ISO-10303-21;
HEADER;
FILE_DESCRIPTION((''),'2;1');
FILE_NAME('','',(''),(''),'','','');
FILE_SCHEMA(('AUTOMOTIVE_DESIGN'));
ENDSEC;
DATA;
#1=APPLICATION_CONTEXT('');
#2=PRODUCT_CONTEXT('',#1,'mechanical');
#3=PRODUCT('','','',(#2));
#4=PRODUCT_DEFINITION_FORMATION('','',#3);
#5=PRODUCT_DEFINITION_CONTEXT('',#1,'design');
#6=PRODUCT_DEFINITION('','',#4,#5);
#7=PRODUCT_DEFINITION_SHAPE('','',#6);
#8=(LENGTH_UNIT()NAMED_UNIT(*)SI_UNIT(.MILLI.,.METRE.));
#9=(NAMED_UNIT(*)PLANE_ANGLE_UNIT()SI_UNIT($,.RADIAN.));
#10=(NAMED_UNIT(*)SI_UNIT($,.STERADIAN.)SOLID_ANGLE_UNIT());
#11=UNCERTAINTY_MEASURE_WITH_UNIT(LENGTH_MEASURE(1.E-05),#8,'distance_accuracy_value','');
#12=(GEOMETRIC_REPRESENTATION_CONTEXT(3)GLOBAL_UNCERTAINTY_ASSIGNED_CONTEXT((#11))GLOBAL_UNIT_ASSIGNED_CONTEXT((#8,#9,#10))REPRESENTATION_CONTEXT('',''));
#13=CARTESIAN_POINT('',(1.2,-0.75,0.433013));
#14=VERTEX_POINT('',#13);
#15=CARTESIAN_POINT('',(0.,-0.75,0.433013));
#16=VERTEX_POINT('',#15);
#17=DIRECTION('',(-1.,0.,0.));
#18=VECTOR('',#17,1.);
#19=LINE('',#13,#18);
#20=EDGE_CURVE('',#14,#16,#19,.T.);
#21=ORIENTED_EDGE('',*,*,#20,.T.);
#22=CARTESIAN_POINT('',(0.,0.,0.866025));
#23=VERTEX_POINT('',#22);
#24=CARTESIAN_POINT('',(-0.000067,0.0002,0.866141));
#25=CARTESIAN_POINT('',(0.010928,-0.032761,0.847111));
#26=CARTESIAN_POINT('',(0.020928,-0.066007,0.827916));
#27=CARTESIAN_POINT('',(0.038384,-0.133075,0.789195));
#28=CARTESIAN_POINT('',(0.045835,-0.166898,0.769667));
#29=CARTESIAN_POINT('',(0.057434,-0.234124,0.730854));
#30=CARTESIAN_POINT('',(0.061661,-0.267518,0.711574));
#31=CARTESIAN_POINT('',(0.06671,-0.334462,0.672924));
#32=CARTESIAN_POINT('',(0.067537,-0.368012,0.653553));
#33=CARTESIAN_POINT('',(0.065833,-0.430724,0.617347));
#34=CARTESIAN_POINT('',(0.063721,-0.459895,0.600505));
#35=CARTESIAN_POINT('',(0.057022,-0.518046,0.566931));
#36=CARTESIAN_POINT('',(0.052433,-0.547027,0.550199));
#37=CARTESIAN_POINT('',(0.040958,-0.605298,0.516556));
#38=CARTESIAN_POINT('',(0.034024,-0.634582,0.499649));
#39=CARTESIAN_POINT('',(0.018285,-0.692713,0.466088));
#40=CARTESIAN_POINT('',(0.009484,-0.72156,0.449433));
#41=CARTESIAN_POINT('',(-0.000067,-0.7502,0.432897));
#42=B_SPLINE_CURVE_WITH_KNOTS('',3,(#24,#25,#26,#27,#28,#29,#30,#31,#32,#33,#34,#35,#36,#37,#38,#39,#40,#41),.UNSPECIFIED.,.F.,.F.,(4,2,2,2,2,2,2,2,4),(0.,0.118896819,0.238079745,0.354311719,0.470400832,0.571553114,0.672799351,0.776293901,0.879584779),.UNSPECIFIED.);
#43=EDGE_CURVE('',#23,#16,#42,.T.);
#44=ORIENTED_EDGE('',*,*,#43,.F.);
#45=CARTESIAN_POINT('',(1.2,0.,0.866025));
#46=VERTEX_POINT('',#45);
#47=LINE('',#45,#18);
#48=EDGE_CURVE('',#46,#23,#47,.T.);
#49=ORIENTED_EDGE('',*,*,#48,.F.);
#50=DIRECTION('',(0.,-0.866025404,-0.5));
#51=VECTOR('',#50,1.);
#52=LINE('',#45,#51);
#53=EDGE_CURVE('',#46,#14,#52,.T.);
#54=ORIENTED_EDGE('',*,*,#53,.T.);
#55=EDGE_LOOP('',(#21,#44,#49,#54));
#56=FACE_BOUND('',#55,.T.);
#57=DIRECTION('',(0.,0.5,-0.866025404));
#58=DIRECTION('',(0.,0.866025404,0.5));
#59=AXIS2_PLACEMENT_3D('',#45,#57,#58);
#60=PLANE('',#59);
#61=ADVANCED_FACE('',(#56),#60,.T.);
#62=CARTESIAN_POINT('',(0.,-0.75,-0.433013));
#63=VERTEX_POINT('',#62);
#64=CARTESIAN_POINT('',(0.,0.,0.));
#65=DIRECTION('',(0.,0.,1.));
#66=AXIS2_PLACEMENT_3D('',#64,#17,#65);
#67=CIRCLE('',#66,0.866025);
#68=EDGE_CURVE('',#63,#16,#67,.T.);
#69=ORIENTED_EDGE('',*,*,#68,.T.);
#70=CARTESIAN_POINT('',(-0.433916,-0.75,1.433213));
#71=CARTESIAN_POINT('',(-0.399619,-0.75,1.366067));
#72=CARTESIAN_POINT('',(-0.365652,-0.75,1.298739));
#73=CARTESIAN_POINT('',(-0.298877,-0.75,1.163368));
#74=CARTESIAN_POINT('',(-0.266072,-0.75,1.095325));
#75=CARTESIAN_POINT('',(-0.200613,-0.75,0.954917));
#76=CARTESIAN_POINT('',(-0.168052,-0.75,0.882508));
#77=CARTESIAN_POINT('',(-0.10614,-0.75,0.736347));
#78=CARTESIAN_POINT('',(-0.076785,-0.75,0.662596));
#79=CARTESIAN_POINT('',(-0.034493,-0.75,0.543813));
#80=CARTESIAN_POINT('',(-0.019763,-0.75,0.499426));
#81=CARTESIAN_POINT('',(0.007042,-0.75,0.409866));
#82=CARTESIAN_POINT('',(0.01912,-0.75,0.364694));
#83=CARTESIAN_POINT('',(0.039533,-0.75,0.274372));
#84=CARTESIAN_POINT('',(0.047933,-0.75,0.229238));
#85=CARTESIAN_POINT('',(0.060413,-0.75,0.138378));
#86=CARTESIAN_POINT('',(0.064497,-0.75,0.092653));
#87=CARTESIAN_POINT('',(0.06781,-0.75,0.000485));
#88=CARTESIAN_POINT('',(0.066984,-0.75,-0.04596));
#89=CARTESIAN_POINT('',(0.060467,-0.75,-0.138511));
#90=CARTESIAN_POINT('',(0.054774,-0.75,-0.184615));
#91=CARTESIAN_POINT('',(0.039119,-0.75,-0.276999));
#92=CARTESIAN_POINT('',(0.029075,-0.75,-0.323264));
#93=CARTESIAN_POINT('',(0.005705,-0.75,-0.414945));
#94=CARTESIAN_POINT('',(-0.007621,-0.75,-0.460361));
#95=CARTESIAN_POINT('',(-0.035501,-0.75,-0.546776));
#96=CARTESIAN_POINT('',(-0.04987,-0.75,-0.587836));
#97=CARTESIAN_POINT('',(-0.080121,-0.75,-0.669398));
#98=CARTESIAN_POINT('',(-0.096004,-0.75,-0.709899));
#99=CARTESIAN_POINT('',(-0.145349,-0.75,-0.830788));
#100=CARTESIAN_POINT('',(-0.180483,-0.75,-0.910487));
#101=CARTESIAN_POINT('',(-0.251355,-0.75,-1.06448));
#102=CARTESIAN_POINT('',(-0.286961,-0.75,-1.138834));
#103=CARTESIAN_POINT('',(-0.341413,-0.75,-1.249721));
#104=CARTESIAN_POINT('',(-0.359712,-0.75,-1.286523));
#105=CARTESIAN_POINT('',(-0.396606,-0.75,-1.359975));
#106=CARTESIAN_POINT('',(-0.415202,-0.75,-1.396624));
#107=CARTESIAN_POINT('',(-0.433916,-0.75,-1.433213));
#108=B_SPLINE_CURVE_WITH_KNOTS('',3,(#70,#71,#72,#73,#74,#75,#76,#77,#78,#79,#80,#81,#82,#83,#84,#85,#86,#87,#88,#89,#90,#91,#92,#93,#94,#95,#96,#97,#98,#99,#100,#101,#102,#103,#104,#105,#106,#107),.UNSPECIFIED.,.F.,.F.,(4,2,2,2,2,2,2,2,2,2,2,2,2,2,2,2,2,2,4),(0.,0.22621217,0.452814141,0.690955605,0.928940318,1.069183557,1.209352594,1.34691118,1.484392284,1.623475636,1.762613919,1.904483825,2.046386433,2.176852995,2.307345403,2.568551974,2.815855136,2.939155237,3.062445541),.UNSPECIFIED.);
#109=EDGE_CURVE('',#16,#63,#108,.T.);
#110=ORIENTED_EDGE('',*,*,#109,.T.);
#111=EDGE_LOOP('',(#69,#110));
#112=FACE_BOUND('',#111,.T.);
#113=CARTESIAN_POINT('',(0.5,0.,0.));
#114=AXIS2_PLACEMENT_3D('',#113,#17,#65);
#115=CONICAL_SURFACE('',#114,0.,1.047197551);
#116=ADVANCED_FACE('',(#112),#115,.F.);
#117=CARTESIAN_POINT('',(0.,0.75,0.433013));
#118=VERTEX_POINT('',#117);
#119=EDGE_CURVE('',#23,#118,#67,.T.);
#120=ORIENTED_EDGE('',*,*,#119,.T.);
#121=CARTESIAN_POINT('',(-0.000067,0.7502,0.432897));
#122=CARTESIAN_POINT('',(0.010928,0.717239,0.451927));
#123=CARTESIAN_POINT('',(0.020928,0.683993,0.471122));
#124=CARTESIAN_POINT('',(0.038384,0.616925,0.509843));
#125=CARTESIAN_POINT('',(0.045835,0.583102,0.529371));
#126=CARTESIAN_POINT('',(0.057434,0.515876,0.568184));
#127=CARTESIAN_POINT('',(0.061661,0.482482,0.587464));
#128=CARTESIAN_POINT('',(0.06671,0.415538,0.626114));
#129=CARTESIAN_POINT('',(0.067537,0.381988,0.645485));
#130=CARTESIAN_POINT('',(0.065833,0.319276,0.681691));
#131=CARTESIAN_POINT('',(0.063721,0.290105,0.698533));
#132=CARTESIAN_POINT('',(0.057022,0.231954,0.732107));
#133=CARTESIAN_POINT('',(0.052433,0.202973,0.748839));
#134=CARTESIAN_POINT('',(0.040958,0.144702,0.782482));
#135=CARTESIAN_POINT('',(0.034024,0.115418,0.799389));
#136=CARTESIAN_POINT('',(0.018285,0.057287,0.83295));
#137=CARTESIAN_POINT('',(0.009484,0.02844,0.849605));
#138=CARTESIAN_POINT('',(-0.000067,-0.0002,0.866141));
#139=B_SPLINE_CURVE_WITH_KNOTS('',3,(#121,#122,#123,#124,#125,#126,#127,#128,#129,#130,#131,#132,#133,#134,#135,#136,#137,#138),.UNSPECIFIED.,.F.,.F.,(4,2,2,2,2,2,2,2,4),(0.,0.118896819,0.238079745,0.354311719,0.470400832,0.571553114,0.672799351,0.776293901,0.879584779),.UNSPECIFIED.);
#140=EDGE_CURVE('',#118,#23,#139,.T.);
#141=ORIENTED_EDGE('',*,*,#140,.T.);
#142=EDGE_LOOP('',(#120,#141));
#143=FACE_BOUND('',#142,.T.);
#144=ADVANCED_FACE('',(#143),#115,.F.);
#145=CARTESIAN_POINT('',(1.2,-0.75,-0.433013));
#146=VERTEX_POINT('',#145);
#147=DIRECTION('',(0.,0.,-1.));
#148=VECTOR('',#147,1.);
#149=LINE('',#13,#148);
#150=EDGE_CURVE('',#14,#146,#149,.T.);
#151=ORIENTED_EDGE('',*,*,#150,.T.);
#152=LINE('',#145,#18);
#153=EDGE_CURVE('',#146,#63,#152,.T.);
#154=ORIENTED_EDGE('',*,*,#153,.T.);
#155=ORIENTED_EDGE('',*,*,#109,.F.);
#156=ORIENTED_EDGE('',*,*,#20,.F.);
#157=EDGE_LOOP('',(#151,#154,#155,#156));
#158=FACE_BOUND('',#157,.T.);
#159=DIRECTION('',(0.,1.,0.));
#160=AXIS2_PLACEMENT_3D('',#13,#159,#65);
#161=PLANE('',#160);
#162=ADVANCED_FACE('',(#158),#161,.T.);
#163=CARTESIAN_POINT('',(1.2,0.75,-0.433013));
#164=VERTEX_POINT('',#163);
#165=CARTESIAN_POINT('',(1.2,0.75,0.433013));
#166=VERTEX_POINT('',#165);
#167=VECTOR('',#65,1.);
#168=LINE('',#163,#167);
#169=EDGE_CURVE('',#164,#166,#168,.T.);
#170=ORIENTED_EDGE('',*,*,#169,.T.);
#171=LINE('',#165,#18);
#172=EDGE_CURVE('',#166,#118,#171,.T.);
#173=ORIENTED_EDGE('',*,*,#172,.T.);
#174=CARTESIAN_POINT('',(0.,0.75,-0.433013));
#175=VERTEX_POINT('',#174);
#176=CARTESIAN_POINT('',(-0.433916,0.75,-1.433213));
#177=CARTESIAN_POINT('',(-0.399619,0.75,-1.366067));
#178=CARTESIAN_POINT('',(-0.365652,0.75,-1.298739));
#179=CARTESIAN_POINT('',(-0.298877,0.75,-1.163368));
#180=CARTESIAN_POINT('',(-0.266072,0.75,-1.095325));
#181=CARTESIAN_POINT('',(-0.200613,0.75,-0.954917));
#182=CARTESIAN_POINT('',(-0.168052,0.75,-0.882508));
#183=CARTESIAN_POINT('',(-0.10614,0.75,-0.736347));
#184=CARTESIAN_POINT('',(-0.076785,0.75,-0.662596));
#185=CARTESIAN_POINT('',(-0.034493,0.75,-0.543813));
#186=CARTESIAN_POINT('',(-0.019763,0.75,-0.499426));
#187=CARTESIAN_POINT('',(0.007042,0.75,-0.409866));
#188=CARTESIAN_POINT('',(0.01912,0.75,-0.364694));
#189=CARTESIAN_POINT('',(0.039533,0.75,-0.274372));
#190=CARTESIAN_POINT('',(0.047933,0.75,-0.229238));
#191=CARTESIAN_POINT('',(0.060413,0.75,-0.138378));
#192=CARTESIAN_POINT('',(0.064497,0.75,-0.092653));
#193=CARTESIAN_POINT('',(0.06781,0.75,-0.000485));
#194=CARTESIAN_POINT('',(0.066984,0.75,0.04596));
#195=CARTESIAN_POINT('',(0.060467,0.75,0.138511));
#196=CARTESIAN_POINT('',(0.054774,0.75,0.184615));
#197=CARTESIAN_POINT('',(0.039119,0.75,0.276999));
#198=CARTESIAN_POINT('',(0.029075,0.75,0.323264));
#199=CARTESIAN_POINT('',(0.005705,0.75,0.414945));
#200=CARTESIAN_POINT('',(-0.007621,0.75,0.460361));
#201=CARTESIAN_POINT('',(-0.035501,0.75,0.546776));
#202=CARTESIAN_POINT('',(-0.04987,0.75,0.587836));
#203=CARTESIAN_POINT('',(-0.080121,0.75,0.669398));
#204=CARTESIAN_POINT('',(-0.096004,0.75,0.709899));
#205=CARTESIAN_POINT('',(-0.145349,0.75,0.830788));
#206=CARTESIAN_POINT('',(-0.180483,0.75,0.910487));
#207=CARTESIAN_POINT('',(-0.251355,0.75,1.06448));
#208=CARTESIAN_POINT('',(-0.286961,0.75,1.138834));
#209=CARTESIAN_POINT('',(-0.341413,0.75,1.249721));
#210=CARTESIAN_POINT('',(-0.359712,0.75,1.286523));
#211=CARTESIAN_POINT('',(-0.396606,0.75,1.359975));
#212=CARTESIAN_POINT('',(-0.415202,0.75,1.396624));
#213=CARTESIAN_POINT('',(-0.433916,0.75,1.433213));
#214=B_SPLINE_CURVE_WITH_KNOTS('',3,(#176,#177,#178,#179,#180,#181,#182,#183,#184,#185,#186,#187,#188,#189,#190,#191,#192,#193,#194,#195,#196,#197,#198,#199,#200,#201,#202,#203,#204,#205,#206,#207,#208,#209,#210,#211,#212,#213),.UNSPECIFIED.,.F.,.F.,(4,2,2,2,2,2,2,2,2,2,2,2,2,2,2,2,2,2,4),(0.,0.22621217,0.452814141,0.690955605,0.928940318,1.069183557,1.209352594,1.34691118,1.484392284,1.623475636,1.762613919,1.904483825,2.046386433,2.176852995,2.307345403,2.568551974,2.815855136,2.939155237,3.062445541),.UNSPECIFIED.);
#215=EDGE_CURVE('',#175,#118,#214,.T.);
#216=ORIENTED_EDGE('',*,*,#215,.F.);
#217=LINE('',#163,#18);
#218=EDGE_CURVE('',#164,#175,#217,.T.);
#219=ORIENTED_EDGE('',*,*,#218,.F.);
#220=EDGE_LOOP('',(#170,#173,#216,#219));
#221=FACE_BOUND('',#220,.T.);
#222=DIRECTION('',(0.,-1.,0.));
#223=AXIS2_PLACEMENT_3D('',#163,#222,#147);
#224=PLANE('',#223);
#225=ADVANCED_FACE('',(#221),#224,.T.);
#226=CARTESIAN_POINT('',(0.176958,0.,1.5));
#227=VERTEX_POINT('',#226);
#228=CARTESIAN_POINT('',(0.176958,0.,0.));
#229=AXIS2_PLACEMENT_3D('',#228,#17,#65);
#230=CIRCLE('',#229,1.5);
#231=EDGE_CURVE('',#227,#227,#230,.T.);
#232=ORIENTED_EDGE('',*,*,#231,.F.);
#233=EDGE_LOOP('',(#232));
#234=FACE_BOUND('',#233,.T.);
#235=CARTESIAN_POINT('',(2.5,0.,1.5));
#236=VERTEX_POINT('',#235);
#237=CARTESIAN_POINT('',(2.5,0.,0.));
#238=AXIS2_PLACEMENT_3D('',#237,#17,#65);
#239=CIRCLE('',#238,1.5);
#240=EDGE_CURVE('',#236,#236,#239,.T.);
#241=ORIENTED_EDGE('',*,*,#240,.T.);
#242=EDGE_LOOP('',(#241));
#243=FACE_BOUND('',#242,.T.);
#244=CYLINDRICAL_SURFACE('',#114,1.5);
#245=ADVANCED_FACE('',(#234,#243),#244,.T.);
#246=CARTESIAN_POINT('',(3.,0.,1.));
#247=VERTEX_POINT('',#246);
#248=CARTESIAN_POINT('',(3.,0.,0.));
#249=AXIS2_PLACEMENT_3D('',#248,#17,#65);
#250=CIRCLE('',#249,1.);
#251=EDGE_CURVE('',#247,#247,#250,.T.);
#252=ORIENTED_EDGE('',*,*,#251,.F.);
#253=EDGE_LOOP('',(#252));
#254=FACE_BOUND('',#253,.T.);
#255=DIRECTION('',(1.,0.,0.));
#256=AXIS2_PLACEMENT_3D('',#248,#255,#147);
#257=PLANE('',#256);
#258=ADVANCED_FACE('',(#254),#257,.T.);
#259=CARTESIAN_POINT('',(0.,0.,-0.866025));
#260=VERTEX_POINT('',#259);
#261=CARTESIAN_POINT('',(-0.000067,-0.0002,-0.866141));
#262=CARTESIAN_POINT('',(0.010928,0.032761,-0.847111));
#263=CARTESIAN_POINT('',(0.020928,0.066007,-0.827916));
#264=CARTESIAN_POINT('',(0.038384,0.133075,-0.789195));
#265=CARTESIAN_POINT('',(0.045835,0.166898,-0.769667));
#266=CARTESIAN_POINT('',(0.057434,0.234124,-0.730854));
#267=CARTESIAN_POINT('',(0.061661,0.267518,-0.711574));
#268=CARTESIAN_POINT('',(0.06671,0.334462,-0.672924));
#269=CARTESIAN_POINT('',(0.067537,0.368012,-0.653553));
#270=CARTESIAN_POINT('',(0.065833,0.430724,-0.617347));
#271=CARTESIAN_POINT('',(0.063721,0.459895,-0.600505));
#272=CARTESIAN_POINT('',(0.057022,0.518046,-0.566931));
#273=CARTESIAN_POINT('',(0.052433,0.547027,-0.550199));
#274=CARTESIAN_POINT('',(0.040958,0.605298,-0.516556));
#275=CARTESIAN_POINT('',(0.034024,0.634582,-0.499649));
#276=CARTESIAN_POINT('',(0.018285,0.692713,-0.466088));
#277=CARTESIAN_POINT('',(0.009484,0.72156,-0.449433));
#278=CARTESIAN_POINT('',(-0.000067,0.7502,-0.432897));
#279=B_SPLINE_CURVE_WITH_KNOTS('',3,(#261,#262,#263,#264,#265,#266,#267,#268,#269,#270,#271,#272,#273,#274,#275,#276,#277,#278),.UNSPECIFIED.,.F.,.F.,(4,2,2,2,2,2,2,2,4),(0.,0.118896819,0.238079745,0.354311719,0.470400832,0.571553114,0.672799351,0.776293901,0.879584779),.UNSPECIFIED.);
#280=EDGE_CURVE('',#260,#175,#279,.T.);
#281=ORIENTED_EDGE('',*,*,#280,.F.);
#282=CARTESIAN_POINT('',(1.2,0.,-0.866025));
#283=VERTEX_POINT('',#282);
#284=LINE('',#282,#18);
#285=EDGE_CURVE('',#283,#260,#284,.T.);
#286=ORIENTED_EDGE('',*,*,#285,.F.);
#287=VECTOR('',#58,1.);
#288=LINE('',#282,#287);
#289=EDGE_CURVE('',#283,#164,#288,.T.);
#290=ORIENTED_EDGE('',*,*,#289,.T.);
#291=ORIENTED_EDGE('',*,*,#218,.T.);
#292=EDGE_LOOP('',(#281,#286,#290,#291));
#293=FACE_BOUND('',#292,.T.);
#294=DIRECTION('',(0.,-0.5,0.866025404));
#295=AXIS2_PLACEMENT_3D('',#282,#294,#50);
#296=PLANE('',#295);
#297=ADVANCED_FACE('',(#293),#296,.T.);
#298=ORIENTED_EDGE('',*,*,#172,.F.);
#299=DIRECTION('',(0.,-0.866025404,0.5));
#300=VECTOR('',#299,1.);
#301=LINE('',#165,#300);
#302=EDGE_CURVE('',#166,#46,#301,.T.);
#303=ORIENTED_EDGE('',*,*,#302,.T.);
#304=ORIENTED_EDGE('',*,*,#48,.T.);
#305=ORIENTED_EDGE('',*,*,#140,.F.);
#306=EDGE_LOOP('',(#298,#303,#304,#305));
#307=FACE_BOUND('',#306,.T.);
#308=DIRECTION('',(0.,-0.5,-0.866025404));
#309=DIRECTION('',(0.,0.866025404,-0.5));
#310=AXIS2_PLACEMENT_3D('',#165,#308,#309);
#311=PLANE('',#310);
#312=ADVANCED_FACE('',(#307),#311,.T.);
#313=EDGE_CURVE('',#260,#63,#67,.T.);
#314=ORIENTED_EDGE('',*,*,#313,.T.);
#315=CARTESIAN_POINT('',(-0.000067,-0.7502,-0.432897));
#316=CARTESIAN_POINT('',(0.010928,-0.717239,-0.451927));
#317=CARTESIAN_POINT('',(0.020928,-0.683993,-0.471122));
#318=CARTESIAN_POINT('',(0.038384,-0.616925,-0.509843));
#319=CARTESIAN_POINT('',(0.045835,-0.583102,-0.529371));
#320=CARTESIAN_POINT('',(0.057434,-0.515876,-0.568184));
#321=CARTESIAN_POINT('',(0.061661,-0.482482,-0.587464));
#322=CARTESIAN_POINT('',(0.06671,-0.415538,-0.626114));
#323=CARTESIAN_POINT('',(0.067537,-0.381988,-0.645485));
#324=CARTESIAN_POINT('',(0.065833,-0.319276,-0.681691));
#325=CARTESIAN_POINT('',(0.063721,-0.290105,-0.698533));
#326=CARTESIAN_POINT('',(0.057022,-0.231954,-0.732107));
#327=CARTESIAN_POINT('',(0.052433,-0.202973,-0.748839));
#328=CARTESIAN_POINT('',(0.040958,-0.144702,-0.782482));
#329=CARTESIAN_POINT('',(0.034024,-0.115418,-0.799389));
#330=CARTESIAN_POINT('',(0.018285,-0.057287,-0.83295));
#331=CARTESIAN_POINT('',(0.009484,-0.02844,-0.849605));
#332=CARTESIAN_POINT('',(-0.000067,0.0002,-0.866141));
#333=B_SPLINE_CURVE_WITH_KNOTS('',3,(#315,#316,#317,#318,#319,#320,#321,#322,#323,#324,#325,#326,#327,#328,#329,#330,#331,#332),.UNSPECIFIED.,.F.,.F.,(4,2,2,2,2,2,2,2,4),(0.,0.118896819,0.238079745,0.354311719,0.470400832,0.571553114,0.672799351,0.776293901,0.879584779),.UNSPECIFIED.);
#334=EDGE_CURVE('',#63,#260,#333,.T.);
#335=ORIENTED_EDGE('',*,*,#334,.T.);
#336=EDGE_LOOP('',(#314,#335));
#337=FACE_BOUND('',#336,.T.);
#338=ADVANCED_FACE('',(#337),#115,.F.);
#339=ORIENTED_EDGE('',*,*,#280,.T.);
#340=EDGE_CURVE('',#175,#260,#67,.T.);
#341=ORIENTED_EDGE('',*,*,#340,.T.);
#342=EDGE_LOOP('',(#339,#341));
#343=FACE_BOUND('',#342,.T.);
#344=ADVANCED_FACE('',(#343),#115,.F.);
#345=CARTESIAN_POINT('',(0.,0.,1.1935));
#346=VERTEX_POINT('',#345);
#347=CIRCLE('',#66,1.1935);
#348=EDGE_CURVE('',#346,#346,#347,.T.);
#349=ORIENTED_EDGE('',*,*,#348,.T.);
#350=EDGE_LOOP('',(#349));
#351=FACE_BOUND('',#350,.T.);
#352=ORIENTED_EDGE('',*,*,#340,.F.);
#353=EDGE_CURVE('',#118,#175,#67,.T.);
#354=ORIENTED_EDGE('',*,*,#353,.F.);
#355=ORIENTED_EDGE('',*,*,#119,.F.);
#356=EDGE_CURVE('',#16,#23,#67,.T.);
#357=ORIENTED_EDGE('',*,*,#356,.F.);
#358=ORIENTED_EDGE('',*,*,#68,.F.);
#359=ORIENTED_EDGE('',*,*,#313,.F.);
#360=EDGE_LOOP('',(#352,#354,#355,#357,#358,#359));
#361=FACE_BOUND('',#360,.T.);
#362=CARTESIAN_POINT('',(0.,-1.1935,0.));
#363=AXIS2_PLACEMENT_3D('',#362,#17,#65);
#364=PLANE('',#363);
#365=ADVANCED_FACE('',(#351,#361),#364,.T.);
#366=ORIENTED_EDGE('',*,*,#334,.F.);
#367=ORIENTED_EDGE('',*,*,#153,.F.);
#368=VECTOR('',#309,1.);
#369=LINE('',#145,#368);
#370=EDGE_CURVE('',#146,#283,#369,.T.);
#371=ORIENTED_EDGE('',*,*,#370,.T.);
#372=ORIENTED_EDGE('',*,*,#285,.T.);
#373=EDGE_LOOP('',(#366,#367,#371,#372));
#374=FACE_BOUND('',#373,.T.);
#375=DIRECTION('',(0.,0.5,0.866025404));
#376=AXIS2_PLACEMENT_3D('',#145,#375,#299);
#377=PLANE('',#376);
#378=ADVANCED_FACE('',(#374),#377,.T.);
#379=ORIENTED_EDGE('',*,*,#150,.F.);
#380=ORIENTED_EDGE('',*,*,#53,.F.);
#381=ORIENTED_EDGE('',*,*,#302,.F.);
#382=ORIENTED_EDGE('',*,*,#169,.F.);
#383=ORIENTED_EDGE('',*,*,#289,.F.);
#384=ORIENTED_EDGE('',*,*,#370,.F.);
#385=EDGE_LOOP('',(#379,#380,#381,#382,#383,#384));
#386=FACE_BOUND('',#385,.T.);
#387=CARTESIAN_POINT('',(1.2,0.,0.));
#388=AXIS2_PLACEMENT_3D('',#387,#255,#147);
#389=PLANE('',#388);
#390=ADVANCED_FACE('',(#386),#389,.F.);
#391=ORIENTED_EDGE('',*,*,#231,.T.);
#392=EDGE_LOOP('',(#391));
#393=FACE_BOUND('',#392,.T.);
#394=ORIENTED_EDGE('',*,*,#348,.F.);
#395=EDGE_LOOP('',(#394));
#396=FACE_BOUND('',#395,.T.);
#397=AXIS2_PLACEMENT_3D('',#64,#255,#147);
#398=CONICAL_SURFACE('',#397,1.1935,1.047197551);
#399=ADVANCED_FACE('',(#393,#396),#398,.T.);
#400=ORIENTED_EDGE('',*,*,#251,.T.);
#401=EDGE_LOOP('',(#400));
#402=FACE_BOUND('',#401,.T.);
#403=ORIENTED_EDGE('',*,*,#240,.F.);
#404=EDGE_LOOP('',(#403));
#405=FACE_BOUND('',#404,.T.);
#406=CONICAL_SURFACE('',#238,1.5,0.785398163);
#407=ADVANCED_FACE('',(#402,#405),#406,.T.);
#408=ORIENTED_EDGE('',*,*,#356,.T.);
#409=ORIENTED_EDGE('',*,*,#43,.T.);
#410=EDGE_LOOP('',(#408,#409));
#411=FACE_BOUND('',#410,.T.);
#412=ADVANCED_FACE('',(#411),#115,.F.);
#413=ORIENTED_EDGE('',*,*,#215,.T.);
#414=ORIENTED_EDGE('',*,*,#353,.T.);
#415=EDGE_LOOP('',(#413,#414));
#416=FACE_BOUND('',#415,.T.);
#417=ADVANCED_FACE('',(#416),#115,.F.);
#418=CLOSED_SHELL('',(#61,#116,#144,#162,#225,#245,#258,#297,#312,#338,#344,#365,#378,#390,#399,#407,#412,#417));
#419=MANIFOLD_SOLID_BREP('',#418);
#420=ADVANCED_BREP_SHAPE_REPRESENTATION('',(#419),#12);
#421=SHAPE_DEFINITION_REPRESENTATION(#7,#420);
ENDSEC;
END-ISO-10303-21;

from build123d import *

# Parameters (mm, degrees)
CUT_EXTRUDE1_DEPTH = 1.2


with BuildPart() as part:
    # Sketch1 → Revolve1 (revolve)
    with BuildSketch(Plane.XY):
        Polygon((3, 0), (3, -1), (2.5, -1.5), (0.176957858, -1.5), (0, -1.1935), (0, -0.866025404), (0.5, 0), align=None)
    revolve(axis=Axis((0.5, 0, 0), (1, 0, 0)))

    # Sketch2 → Cut-Extrude1 (cut)
    with BuildSketch(Plane(origin=(0, 0, 0), x_dir=(0, 0, -1), z_dir=(1, 0, 0))):
        Polygon((-0.866025404, 0), (-0.433012702, -0.75), (0.433012702, -0.75), (0.866025404, 0), (0.433012702, 0.75), (-0.433012702, 0.75), align=None)
    extrude(amount=CUT_EXTRUDE1_DEPTH, mode=Mode.SUBTRACT)


solid = part.part
